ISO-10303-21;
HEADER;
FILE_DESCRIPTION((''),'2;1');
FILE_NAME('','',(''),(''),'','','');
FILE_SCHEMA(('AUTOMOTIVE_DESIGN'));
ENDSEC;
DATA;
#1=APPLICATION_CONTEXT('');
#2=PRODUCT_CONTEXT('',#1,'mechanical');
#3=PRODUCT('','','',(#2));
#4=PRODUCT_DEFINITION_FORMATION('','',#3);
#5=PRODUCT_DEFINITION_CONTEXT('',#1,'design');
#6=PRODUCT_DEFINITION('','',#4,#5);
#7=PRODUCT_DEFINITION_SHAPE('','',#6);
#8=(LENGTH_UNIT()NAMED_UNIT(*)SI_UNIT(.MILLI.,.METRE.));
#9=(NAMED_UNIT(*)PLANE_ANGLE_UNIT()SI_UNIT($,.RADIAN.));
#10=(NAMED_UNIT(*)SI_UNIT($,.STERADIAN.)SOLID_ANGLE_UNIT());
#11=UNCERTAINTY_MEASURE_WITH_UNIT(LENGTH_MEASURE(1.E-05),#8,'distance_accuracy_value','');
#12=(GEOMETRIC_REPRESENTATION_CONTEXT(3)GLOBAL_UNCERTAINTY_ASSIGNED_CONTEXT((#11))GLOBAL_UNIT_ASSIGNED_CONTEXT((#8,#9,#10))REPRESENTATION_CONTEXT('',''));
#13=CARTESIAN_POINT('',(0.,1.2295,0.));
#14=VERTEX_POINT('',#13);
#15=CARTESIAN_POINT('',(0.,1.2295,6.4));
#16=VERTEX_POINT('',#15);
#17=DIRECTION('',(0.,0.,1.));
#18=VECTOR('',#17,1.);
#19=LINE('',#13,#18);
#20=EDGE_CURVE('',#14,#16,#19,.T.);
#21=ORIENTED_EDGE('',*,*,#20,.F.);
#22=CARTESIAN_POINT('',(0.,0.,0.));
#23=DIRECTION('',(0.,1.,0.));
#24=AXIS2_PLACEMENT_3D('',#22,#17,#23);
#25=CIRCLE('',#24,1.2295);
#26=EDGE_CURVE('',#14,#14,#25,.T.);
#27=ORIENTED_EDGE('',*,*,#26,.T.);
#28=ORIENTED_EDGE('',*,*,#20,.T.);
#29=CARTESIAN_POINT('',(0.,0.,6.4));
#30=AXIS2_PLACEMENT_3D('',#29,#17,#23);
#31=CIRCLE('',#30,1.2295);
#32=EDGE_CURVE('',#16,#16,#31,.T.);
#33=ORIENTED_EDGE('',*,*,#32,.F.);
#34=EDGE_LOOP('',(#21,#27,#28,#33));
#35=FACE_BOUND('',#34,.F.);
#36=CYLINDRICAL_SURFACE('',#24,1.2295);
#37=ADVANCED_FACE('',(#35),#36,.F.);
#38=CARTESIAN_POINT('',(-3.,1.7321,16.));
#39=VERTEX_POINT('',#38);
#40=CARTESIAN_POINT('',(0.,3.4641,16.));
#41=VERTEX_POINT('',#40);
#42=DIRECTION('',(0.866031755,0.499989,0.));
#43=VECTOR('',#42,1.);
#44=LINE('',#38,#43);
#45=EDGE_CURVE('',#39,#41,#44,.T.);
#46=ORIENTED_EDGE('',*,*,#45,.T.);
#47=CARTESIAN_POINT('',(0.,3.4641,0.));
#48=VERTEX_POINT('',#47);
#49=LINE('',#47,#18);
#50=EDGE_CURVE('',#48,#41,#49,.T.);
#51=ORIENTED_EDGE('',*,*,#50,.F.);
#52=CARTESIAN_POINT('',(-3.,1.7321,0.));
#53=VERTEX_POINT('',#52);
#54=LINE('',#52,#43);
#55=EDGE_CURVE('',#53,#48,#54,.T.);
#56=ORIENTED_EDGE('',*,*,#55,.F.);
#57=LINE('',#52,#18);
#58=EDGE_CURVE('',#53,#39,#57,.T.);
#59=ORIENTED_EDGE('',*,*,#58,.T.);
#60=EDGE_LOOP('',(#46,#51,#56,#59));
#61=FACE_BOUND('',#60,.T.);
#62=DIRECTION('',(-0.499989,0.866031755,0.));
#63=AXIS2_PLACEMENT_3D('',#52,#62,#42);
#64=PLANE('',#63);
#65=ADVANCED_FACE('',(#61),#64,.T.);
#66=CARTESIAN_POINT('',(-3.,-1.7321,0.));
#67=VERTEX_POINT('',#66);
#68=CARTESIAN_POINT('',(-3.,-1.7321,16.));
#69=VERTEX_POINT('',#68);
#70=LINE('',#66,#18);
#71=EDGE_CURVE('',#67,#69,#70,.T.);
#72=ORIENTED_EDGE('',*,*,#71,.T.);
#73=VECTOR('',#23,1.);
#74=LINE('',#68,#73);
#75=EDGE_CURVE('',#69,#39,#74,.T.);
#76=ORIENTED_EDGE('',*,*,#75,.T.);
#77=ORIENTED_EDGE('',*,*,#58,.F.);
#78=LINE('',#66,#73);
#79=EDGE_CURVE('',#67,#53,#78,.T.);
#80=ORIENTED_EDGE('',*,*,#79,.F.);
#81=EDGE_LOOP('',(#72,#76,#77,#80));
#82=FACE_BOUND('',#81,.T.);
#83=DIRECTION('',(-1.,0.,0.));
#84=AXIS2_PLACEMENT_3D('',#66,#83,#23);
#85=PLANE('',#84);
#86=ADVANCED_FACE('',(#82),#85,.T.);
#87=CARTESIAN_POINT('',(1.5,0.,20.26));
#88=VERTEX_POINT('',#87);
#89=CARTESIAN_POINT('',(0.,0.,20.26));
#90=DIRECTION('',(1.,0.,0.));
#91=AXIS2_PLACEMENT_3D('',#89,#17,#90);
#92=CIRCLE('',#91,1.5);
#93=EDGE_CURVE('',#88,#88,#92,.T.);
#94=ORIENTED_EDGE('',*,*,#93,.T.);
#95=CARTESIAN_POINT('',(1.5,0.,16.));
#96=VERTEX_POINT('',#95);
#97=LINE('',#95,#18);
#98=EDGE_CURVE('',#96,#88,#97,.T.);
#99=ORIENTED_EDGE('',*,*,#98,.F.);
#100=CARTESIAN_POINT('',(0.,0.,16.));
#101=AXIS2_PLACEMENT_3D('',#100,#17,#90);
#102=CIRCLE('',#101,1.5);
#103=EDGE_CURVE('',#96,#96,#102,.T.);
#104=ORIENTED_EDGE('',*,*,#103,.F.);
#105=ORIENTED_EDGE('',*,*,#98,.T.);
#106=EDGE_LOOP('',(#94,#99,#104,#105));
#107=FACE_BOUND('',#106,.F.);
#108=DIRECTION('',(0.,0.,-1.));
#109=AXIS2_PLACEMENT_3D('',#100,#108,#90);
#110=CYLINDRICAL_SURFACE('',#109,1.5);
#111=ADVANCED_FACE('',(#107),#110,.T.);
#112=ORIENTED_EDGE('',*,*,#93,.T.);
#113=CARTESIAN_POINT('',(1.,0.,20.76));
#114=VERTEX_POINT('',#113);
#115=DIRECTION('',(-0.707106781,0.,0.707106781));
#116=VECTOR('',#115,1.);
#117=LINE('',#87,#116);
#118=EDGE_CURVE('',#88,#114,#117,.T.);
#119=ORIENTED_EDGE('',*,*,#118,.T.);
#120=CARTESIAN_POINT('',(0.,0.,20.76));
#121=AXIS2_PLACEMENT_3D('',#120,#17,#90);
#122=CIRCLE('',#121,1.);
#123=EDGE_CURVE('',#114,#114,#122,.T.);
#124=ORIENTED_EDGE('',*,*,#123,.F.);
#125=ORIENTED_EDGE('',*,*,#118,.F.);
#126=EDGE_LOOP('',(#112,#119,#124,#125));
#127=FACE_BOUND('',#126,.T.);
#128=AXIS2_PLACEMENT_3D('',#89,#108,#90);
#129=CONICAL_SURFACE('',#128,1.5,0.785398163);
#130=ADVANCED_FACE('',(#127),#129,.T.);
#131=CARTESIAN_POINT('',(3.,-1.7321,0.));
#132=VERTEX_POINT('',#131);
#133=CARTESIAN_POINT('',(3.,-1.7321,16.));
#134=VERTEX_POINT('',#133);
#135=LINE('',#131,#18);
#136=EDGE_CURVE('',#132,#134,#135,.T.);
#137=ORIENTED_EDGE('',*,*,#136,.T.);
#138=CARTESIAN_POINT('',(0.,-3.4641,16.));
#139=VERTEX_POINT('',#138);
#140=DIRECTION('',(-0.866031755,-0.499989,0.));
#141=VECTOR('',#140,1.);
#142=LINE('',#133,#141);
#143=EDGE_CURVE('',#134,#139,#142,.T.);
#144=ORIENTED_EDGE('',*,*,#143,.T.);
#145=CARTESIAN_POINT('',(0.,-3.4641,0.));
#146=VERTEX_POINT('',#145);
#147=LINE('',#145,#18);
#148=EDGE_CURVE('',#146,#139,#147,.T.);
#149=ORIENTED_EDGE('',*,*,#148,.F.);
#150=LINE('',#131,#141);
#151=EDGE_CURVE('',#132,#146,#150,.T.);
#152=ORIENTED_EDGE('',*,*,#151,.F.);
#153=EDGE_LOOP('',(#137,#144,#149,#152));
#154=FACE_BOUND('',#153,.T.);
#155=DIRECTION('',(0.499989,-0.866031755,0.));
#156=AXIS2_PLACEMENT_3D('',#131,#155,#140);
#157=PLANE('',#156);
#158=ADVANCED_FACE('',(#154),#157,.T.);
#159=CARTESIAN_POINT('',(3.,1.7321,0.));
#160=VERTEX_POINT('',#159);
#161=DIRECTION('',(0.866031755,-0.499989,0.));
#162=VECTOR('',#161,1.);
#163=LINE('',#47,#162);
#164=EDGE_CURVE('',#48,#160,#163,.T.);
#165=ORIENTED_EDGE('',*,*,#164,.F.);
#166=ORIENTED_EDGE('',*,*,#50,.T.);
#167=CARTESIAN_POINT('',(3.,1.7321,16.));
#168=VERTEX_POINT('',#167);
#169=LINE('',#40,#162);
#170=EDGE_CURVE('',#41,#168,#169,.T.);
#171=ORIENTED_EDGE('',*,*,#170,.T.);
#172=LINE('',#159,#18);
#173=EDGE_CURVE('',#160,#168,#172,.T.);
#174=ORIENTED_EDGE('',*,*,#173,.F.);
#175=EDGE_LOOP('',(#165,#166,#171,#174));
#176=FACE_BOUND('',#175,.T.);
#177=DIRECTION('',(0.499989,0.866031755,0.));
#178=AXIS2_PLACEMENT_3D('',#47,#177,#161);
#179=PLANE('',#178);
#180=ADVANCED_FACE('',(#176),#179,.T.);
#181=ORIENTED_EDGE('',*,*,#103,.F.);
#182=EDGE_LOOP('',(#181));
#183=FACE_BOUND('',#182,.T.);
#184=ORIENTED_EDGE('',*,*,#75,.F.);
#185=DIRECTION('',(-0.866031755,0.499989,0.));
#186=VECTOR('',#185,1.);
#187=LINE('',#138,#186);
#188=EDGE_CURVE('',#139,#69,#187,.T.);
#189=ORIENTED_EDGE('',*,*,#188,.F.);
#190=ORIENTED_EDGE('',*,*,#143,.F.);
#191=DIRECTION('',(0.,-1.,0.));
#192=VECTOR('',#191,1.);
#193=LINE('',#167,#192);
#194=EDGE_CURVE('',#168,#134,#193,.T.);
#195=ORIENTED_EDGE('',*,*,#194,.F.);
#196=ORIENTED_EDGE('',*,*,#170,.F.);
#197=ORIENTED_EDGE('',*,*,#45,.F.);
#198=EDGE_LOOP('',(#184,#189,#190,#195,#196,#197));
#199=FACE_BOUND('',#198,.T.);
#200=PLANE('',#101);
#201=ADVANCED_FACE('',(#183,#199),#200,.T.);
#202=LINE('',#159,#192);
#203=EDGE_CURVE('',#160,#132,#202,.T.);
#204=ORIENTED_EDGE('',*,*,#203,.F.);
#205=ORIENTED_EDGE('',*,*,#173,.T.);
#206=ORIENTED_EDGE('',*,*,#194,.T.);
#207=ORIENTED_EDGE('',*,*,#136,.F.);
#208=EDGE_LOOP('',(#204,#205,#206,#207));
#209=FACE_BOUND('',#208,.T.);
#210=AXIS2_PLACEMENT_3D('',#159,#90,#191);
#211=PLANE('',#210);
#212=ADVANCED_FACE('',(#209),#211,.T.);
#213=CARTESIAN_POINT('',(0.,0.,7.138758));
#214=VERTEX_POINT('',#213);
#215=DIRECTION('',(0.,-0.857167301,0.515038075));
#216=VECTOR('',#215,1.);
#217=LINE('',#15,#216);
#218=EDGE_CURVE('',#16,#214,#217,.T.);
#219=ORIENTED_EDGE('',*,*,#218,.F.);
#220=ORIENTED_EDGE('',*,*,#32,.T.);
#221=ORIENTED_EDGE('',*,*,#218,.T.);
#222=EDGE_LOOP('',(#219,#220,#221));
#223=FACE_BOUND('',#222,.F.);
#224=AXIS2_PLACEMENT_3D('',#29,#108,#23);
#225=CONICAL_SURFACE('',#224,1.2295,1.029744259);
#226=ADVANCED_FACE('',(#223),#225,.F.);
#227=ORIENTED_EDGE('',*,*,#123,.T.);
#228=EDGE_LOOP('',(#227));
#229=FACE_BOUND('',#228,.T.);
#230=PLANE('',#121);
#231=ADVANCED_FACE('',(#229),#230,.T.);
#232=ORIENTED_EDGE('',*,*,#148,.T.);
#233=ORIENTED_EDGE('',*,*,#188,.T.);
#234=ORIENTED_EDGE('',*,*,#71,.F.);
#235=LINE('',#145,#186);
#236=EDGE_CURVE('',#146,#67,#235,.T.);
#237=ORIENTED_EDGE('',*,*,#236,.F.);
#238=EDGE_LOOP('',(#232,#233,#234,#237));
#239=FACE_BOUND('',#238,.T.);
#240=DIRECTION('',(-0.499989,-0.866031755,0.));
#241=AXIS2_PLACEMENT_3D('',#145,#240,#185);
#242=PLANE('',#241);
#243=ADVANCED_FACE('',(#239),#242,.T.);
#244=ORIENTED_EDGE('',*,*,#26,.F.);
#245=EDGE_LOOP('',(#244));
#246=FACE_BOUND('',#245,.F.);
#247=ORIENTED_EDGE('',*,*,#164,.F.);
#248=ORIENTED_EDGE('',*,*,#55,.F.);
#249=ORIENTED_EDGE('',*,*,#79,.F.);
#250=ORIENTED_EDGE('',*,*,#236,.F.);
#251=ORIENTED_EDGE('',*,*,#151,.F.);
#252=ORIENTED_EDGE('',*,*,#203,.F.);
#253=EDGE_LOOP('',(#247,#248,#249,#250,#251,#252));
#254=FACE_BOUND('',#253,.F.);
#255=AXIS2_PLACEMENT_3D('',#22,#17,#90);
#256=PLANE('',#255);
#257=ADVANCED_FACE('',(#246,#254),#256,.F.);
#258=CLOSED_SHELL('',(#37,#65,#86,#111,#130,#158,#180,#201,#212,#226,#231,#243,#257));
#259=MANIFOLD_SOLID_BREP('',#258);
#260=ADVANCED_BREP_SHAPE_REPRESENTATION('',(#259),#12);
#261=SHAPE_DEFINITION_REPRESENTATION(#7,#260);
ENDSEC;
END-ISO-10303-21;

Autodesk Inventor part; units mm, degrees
ref_plane "YZ Plane" through (0, 0, 0) normal (1, 0, 0) x (0, 1, 0)
ref_plane "XZ Plane" through (0, 0, 0) normal (0, 1, 0) x (-1, 0, 0)
ref_plane "XY Plane" through (0, 0, 0) normal (0, 0, 1) x (1, 0, 0)
sketch "Sketch1" plane through (0, 0, 0) normal (0, 0, 1) x (1, 0, 0)
  line L0 (0, 3.4641) -> (3, 1.7321)
  line L1 (3, 1.7321) -> (3, -1.7321)
  line L2 (3, -1.7321) -> (0, -3.4641)
  line L3 (0, -3.4641) -> (-3, -1.7321)
  line L4 (-3, -1.7321) -> (-3, 1.7321)
  line L5 (-3, 1.7321) -> (0, 3.4641)
  point P0 (0, 0)
  point P1 (0, 0)
  dimension "d0" = 6
extrude "Extrusion1" add sketch "Sketch1" along normal blind 16
sketch "Sketch2" plane through (0, 0, 16) normal (0, 0, 1) x (1, 0, 0)
  circle A0 centre (0, 0) radius 1.5
  dimension "d3" = 3
extrude "Extrusion2" add sketch "Sketch2" along normal blind 4.76
thread "Thread1" size "M3x0.5" class "6g" standard "ANSI Metric M Profile" full length
sketch "Sketch3" plane through (0, 0, 0) normal (0, 0, -1) x (-1, 0, 0)
  point P0 (0, 0)
hole "Hole1" at (0, 0, 0) direction (0, 0, 1) diameter 2.459 depth 6.4 tip angle 118 thread size "M3x0.5" class "6H" standard "ANSI Metric M Profile"
chamfer "Chamfer1" distance 0.5 angle 45 1 edges at (-1.5, 0, 20.76)
properties part number "3mm-standoff-16-long"
